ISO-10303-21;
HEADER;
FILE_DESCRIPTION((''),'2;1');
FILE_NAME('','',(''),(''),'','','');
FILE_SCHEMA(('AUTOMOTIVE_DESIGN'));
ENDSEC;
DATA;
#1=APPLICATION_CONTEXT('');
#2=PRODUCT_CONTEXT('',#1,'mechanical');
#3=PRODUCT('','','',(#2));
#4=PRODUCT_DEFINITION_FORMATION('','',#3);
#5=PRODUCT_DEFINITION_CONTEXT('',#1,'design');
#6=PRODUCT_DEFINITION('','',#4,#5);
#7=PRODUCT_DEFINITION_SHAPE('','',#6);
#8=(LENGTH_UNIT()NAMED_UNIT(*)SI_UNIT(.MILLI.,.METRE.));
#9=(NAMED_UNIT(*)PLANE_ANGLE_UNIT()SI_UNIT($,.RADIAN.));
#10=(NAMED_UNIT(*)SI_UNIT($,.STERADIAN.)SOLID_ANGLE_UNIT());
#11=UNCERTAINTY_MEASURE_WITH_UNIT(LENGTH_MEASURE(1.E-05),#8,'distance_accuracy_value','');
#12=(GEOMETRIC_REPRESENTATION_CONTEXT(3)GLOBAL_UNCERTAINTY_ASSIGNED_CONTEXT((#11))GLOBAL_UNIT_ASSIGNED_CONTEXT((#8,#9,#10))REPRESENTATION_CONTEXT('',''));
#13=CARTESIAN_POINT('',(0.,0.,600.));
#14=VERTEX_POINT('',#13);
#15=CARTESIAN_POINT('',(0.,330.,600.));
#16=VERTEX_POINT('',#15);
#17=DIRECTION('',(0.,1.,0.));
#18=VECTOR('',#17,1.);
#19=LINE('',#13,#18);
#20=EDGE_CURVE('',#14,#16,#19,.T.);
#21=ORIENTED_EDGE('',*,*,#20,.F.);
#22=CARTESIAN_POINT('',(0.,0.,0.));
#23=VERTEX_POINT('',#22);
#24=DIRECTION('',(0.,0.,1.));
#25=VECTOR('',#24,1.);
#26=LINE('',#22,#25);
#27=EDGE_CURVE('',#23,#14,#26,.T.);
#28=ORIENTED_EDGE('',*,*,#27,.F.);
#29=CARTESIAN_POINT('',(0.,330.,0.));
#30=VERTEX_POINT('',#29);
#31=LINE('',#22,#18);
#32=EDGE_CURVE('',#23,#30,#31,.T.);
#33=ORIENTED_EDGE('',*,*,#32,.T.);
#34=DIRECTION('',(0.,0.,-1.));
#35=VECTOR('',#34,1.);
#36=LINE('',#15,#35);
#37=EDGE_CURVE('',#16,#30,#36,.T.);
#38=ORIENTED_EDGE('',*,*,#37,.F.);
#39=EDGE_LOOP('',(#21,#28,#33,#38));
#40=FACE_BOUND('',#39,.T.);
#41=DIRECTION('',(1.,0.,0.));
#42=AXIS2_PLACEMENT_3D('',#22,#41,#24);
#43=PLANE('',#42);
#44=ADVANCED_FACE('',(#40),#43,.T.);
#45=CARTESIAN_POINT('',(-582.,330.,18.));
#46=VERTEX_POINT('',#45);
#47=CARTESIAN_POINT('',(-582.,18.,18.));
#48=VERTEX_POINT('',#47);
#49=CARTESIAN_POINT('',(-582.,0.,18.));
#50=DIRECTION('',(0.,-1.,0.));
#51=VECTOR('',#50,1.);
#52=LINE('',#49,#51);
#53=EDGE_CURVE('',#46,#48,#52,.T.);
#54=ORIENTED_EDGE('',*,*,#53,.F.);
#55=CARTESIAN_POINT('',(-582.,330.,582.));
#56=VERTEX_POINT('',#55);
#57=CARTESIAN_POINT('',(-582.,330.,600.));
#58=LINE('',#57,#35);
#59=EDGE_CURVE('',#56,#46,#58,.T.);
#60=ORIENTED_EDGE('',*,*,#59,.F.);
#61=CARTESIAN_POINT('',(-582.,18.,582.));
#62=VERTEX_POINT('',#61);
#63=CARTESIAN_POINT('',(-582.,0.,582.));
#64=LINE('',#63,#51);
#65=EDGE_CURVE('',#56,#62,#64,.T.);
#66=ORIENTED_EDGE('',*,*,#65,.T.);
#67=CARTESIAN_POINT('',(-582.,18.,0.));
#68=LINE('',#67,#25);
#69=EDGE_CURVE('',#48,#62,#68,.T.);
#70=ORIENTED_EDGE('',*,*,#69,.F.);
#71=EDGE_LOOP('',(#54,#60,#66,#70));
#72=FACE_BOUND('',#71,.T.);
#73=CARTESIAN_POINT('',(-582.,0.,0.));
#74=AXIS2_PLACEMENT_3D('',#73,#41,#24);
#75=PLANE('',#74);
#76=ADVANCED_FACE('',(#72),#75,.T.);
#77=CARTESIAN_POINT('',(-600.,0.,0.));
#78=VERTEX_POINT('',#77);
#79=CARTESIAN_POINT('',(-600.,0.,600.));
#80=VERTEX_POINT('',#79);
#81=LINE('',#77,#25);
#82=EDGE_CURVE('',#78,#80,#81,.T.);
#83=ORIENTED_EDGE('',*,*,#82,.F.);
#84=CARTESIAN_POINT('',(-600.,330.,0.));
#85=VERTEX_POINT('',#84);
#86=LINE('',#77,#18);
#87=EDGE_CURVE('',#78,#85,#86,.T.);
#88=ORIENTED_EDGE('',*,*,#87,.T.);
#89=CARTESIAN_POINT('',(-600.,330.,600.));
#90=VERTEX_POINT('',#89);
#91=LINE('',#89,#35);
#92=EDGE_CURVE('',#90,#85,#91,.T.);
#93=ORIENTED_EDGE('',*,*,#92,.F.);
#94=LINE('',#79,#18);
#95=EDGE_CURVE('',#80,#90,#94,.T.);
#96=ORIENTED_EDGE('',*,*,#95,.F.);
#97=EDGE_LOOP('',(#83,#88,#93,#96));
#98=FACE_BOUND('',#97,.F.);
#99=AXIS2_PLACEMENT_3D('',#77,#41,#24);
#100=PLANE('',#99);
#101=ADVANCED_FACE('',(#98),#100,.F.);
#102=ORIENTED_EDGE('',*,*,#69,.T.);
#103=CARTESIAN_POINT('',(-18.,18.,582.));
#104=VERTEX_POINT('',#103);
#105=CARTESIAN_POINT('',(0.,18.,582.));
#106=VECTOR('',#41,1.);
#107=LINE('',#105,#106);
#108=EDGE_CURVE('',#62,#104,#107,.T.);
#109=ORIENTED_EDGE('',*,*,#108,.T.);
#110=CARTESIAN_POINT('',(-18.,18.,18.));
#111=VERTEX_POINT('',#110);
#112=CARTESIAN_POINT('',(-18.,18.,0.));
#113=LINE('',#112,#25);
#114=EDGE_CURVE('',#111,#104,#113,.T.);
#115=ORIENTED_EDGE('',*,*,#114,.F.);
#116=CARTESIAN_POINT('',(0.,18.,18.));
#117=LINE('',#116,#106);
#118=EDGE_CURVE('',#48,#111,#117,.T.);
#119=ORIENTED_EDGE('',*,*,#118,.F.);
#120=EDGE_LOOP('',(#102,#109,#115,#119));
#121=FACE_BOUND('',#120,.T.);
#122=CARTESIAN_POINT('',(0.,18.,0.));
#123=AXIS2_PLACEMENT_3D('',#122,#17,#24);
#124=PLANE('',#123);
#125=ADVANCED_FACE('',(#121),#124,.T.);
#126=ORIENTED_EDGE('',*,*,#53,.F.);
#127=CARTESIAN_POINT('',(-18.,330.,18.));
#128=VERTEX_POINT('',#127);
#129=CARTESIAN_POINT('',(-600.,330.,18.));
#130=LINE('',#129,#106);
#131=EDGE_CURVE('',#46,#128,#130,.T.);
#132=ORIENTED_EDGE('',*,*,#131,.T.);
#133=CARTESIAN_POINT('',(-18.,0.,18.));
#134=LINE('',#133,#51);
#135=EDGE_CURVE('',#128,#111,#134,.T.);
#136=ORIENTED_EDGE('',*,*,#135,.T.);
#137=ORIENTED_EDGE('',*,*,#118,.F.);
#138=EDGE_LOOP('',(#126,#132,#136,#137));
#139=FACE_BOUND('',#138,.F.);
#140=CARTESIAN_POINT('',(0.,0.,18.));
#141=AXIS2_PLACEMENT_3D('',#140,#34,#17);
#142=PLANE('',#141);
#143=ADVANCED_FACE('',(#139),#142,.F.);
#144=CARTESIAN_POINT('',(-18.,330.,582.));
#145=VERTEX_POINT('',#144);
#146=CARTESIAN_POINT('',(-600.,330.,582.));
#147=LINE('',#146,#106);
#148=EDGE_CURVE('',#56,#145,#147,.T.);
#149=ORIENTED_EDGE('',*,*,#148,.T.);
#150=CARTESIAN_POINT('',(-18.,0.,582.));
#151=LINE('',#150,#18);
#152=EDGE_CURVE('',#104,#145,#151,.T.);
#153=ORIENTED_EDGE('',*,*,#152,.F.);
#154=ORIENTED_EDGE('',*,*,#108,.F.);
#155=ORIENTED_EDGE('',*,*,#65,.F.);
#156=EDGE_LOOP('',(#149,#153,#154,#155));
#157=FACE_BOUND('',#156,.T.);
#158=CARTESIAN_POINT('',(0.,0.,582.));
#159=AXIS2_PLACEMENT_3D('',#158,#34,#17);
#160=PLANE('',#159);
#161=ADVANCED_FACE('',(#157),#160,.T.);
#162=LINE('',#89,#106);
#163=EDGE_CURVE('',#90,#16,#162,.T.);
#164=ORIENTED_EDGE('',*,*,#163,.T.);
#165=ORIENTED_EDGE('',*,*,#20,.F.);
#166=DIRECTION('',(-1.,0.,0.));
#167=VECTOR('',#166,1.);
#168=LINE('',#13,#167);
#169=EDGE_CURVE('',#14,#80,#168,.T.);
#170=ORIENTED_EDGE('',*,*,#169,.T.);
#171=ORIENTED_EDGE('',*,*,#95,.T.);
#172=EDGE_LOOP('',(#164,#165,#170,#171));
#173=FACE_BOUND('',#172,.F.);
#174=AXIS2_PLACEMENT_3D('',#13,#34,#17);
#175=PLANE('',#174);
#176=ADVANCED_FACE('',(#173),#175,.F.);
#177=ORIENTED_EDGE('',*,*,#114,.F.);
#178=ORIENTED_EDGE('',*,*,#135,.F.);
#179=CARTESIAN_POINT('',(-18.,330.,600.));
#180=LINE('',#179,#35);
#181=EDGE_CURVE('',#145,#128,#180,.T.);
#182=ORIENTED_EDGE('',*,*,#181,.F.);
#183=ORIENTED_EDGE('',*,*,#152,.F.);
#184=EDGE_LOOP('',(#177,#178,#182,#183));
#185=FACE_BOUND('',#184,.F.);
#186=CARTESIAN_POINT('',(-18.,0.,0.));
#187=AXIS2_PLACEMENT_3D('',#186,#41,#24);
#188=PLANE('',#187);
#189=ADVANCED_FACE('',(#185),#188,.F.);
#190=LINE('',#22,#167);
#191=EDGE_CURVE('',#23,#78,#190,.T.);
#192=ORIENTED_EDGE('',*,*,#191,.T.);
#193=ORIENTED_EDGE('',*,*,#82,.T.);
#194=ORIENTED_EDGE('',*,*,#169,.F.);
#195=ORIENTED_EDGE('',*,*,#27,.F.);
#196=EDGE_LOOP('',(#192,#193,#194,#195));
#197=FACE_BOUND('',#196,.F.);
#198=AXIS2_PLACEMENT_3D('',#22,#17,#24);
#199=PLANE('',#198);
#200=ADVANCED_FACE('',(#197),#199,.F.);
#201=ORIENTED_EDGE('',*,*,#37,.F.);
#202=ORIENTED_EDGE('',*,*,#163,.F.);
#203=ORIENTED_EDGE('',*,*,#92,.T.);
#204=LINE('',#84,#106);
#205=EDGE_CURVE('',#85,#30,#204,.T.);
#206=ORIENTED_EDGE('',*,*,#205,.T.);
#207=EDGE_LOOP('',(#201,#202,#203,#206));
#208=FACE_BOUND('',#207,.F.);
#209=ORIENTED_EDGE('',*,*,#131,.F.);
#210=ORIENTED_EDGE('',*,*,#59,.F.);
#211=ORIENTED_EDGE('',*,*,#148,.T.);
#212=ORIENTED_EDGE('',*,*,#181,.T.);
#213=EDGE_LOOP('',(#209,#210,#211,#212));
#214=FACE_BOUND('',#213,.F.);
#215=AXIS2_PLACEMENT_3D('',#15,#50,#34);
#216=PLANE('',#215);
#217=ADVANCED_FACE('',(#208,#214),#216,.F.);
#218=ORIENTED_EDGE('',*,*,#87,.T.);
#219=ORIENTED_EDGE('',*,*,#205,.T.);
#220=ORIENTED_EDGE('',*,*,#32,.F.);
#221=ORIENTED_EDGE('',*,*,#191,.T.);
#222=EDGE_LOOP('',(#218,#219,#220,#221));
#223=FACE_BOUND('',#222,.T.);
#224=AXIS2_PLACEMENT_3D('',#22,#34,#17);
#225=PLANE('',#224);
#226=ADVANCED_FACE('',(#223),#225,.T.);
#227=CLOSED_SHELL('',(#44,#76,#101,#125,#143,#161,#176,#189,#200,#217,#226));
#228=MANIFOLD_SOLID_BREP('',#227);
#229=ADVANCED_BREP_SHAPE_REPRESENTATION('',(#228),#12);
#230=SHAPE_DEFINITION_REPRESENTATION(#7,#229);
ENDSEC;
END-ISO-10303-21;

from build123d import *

# Parameters (mm, degrees)
F0_W     = 52.5068640709
F0_H     = 35.3771150112
F1_DEPTH = 330
F2_DEPTH = 600
F3_DEPTH = 600
F4_T     = -18


with BuildPart() as f1:
    # F0 (on Front) → F1 (new body)
    with BuildSketch(Plane.XZ):
        with Locations((-26.2534320354, 17.6885575056)):
            Rectangle(F0_W, F0_H)
    extrude(amount=-F1_DEPTH)

    # F2 (add): a face of the model
    f2_faces = [f1.faces().sort_by_distance(p)[0] for p in [
        (-26.2534320354, 165, 0),
    ]]
    extrude(f2_faces, amount=-F2_DEPTH)

    # F3 (add): a face of the model
    f3_faces = [f1.faces().sort_by_distance(p)[0] for p in [
        (0, 165, 300),
    ]]
    extrude(f3_faces, amount=-F3_DEPTH)

    # F4
    f4_openings = [f1.faces().sort_by_distance(p)[0] for p in [
        (-300, 330, 300),
    ]]
    offset(amount=F4_T, openings=f4_openings)


solid = f1.part
